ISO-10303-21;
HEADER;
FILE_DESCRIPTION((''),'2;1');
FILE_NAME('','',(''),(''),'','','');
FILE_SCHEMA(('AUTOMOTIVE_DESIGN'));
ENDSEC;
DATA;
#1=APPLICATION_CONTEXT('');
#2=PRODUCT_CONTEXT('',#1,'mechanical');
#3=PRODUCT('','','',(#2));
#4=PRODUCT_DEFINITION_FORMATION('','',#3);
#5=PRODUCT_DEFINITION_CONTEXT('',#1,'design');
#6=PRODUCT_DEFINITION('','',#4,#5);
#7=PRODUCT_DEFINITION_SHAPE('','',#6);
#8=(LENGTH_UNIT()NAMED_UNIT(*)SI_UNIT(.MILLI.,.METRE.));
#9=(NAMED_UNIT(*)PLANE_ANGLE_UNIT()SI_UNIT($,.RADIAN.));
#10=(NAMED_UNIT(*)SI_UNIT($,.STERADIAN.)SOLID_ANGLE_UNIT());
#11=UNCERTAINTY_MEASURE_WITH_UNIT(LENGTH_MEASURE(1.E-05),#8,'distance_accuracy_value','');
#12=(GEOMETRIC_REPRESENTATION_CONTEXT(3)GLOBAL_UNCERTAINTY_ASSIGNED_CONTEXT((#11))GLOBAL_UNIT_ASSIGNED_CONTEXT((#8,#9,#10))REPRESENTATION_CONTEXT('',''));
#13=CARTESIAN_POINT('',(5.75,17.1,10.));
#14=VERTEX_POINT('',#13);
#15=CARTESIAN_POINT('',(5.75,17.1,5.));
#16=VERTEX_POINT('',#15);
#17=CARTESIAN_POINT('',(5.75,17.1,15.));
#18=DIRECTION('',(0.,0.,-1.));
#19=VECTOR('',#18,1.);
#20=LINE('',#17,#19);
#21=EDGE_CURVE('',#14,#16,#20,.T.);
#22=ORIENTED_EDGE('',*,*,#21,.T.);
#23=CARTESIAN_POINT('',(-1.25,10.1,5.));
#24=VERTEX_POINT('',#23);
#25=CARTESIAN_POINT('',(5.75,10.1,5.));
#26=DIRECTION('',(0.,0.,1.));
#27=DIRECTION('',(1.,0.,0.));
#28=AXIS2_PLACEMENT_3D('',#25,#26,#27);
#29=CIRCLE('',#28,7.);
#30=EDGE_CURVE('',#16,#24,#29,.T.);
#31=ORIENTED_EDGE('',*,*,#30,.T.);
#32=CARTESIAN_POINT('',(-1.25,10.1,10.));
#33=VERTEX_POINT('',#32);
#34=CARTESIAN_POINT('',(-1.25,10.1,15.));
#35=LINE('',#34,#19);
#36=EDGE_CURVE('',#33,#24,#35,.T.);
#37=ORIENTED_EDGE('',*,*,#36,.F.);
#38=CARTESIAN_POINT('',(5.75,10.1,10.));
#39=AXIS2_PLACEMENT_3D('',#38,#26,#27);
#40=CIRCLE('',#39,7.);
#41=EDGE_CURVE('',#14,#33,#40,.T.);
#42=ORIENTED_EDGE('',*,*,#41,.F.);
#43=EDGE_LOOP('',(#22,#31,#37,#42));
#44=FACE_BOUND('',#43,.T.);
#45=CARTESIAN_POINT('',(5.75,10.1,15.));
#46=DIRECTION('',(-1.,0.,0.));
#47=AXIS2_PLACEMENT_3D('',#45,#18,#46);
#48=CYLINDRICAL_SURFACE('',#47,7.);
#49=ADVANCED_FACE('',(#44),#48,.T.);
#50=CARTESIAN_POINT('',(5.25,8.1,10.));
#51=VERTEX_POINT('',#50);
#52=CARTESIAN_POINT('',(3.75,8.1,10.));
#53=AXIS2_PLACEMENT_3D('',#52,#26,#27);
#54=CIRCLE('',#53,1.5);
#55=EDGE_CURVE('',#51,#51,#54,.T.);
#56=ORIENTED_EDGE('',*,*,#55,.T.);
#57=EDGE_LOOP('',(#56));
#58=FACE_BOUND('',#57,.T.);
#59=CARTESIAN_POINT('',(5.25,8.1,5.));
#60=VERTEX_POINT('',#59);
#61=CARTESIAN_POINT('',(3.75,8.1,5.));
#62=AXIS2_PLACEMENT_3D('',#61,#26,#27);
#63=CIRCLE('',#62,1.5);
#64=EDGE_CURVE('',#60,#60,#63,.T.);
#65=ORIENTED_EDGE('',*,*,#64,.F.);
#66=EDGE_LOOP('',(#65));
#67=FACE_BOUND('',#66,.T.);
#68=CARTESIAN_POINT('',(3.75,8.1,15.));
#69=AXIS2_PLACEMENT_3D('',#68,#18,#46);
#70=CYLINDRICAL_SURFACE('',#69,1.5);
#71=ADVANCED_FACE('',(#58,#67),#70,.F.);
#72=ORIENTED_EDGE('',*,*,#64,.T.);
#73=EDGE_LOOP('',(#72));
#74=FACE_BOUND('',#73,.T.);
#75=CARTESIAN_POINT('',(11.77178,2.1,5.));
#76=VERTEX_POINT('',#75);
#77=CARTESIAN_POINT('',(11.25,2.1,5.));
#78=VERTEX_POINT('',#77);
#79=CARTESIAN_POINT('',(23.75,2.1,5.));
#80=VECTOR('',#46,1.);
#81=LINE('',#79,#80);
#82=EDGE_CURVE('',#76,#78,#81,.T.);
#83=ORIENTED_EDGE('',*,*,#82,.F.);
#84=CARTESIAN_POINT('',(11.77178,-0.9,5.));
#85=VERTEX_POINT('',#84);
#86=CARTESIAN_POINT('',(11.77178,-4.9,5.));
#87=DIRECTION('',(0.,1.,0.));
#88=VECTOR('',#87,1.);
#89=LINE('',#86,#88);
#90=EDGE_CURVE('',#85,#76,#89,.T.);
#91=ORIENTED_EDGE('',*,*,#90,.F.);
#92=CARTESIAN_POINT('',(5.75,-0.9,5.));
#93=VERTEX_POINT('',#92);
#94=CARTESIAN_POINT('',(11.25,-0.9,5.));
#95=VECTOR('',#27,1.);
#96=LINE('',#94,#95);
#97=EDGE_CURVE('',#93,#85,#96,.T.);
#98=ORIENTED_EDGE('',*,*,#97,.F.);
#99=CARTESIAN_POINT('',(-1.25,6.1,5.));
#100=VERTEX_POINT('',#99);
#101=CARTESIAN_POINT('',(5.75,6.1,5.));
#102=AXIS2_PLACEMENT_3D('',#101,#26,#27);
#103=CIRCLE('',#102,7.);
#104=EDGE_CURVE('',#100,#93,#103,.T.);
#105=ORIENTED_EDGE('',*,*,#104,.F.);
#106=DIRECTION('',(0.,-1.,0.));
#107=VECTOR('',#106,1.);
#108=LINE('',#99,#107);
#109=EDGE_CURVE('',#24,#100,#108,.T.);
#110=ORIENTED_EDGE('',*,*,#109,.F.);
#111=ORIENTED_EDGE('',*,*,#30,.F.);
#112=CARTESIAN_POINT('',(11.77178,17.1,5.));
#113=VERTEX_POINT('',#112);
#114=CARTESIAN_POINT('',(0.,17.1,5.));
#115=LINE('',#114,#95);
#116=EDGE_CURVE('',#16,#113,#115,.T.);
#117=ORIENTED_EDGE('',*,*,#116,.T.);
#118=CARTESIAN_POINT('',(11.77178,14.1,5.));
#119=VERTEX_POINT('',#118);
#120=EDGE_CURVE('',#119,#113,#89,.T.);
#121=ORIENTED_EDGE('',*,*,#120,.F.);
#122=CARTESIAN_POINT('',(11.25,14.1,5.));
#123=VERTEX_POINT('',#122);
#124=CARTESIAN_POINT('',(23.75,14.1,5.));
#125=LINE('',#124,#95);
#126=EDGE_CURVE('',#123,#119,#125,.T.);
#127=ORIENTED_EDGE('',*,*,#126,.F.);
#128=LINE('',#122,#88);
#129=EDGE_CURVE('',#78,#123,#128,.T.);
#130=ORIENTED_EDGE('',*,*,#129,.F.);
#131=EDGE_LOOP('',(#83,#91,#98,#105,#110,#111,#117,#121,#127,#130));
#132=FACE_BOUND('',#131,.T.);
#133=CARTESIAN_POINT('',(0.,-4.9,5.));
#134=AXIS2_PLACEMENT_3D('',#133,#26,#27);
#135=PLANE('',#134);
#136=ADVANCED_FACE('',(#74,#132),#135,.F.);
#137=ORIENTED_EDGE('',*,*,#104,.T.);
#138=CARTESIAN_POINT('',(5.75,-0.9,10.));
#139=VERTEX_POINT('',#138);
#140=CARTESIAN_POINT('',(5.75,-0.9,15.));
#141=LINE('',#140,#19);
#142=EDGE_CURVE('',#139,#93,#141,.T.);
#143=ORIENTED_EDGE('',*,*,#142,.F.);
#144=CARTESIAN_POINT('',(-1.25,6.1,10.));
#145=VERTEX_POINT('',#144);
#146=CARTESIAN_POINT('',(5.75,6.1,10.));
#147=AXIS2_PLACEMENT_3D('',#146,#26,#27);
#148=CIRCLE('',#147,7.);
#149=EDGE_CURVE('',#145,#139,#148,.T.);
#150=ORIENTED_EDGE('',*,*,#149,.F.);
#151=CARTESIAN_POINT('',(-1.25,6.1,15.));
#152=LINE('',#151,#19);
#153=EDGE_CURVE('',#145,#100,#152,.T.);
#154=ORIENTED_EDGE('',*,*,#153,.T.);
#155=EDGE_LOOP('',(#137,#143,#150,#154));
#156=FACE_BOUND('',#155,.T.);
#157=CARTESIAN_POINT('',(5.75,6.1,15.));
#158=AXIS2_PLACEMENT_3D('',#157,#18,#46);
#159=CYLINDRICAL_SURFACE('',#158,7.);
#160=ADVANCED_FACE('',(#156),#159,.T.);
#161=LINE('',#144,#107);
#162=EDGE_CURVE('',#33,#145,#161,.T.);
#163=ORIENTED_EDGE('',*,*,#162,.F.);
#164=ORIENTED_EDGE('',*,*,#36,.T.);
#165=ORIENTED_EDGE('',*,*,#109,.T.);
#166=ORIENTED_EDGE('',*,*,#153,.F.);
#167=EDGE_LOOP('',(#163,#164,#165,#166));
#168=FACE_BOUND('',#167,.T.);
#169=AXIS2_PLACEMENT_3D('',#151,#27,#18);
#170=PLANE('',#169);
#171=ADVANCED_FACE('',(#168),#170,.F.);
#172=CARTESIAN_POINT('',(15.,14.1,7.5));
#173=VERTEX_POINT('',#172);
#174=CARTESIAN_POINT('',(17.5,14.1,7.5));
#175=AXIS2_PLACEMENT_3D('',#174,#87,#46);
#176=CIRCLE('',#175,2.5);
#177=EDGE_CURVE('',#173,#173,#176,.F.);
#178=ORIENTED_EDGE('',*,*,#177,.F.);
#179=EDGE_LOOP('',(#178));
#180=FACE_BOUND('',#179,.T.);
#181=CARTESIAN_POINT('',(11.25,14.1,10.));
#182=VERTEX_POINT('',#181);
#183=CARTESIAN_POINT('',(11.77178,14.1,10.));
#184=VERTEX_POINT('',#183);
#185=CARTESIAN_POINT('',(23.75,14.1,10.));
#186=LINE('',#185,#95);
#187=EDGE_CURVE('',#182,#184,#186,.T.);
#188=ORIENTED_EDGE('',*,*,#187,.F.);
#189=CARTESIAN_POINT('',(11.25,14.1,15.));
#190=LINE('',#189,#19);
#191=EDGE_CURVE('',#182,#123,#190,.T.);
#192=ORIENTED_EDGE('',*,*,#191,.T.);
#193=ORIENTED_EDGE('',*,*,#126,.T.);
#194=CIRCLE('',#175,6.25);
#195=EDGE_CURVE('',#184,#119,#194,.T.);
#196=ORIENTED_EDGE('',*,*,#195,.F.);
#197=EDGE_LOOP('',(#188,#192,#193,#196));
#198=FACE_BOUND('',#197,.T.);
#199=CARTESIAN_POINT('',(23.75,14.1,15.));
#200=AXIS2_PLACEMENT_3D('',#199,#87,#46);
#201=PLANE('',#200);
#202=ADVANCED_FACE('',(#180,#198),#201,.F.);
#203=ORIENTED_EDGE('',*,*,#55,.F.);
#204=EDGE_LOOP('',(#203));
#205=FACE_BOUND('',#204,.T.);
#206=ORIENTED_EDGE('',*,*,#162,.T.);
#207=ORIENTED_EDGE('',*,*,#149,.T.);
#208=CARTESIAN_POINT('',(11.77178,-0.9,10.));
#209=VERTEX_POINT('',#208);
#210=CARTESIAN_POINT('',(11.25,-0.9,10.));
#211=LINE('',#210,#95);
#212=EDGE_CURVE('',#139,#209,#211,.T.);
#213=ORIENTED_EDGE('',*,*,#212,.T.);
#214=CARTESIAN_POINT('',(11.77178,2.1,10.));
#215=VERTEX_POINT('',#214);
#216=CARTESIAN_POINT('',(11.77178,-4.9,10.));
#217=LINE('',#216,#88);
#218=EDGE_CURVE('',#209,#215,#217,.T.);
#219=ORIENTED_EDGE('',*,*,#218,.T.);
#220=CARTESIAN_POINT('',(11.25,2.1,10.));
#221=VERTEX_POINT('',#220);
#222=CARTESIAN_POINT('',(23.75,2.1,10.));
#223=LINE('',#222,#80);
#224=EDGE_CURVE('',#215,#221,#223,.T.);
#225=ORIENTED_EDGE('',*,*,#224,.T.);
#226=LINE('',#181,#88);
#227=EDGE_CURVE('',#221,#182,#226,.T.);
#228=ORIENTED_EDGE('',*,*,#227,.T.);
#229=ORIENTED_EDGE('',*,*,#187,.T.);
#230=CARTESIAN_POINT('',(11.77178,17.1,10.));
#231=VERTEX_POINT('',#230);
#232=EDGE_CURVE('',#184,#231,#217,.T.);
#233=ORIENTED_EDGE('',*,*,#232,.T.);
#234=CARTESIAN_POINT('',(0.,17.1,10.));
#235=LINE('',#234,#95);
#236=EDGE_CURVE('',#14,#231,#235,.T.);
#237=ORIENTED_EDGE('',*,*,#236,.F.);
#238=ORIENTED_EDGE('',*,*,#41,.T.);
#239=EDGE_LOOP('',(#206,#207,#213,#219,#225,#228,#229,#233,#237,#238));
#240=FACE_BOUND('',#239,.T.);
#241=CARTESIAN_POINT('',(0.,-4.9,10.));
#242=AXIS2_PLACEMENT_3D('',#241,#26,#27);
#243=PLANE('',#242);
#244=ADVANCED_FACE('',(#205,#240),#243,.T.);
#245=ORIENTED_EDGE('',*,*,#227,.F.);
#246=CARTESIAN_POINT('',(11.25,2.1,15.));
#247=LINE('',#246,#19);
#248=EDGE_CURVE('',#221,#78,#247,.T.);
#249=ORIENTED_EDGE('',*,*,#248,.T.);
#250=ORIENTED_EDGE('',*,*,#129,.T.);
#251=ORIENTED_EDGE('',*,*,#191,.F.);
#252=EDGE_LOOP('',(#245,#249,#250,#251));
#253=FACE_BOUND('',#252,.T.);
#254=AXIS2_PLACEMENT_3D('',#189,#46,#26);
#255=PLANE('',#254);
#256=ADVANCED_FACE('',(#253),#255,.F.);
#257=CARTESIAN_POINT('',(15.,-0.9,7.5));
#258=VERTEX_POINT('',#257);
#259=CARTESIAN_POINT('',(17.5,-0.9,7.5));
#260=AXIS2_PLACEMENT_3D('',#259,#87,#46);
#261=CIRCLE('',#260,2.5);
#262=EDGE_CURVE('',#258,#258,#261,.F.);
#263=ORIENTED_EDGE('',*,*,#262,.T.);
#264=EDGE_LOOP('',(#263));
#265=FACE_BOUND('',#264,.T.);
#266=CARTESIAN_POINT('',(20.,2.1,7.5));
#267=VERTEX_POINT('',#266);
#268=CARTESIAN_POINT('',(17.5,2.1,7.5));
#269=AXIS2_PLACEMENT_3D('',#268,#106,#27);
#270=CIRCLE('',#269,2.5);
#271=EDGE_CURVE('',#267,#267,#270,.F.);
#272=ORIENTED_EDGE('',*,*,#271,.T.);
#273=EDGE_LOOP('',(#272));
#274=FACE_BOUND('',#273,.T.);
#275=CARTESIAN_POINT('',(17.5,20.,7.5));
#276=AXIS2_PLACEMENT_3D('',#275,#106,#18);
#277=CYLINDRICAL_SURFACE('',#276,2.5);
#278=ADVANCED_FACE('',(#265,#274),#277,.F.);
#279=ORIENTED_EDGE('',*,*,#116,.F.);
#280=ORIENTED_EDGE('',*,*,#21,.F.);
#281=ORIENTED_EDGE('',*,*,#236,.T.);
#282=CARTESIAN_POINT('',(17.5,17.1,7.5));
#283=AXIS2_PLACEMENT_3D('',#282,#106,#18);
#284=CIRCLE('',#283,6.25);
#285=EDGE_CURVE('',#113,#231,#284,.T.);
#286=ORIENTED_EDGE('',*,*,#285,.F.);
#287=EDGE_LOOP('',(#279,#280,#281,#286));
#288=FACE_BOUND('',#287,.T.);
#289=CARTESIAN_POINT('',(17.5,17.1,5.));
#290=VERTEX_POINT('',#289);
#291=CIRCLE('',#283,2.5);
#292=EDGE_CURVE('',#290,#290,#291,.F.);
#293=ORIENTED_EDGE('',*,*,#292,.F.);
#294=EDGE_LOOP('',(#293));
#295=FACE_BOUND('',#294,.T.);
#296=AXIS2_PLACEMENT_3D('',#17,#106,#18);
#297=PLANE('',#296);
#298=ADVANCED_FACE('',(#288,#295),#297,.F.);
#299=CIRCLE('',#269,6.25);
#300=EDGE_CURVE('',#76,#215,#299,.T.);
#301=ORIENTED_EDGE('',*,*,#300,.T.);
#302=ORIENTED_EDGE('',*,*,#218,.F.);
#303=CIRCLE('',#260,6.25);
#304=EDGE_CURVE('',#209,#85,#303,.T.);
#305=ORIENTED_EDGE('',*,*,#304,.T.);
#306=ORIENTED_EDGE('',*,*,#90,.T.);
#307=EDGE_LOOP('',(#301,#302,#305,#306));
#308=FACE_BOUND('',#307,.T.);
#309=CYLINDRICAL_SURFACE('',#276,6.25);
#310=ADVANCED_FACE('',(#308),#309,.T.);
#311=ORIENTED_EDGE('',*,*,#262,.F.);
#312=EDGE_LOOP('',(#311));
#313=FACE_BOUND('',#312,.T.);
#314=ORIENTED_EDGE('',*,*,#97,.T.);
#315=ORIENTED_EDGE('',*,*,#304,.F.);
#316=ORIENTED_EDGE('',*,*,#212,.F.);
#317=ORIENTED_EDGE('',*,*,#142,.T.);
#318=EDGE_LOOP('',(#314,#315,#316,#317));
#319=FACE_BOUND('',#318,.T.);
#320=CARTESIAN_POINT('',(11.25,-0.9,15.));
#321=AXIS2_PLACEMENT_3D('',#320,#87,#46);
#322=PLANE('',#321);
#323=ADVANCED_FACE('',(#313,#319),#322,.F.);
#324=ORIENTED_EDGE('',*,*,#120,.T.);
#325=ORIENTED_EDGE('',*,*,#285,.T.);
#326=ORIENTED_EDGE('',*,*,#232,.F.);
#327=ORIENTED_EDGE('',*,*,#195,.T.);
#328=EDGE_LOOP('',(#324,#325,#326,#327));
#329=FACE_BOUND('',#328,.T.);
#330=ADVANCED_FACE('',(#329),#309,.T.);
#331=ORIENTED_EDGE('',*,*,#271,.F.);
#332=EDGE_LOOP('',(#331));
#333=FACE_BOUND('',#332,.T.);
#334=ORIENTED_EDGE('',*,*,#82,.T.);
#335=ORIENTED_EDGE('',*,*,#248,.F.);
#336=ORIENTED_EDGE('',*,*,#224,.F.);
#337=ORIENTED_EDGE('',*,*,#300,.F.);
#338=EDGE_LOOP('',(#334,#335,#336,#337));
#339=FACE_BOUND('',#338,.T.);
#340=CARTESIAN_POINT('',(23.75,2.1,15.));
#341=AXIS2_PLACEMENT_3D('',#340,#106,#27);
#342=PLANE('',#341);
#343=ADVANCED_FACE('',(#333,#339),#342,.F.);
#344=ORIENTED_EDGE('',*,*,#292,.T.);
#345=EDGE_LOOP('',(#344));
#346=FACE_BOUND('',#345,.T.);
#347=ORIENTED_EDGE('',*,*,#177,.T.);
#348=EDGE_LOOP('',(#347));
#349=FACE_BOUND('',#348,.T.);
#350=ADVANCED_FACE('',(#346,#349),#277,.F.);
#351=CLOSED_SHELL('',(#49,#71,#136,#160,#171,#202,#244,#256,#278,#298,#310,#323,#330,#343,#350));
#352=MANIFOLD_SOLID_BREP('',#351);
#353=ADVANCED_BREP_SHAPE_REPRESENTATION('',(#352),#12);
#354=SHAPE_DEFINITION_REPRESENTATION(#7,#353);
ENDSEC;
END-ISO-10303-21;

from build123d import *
from build123d.topology import SkipClean

# Parameters (mm, degrees)
CROQUIS1_R              = 1.5
SALIENTE_EXTRUIR1_DEPTH = 15
CROQUIS2_R              = 2.5
CORTAR_EXTRUIR1_DEPTH   = 20
CORTAR_EXTRUIR2_DEPTH   = 22


with BuildPart() as part:
    # Croquis1 → Saliente-Extruir1 (new body)
    with BuildSketch(Plane.XY):
        with BuildLine():
            Line((11.25, 14.1), (11.25, 11.1))
            Line((11.25, 11.1), (11.25, 5.1))
            Line((11.25, 5.1), (11.25, 2.1))
            Line((11.25, 2.1), (23.75, 2.1))
            Line((23.75, 2.1), (23.75, -0.9))
            Line((23.75, -0.9), (11.25, -0.9))
            Line((11.25, -0.9), (5.75, -0.9))
            ThreePointArc((5.75, -0.9), (0.800252532, 1.150252532), (-1.25, 6.1))
            Line((-1.25, 6.1), (-1.25, 10.1))
            ThreePointArc((-1.25, 10.1), (0.800252532, 15.049747468), (5.75, 17.1))
            Line((5.75, 17.1), (11.25, 17.1))
            Line((11.25, 17.1), (23.75, 17.1))
            Line((23.75, 17.1), (23.75, 14.1))
            Line((23.75, 14.1), (11.25, 14.1))
        make_face()
        with Locations((3.75, 8.1)):
            Circle(CROQUIS1_R, mode=Mode.SUBTRACT)
    extrude(amount=SALIENTE_EXTRUIR1_DEPTH)

    # Croquis2 → Cortar-Extruir1 (cut, symmetric)
    with BuildSketch(Plane(origin=(0, 0, 0), x_dir=(1, 0, 0), z_dir=(0, 1, 0))):
        with Locations(Location((17.5, -7.5, 0), (0, 0, 90))):
            Circle(CROQUIS2_R)
        with BuildLine():
            Line((17.5, -1.25), (11.25, 0))
            Line((11.25, 0), (11.126279301, 1.868603497))
            Line((11.126279301, 1.868603497), (29.663453957, 1.868603497))
            Line((29.663453957, 1.868603497), (29.663453957, -17.961269996))
            Line((29.663453957, -17.961269996), (11.25, -17.961269996))
            Line((11.25, -17.961269996), (11.25, -15))
            Line((11.25, -15), (17.5, -13.75))
            ThreePointArc((17.5, -13.75), (23.75, -7.5), (17.5, -1.25))
        make_face()
    extrude(amount=CORTAR_EXTRUIR1_DEPTH, both=True, mode=Mode.SUBTRACT)

    # Croquis3 → Cortar-Extruir2 (cut)
    with SkipClean():  # the faces are left unmerged after this step: merging them gives an invalid solid
        with BuildSketch(Plane(origin=(0, 17.1, 0), x_dir=(1, 0, 0), z_dir=(0, 1, 0))):
            Polygon((5.75, -10), (-2.050741432, -10), (-2.325121179, -18.2596058), (20.840368904, -18.2596058), (17.5, -13.75), (11.25, -15), (5.75, -15), align=None)
            with BuildLine():
                Line((11.771780381, -10), (5.75, -10))
                Line((5.75, -10), (5.75, -15))
                Line((5.75, -15), (11.25, -15))
                Line((11.25, -15), (17.5, -13.75))
                ThreePointArc((17.5, -13.75), (14.076734016, -12.729125166), (11.771780381, -10))
            make_face()
            with BuildLine():
                Line((5.75, 0), (5.75, -5))
                Line((5.75, -5), (11.771780381, -5))
                ThreePointArc((11.771780381, -5), (14.076734016, -2.270874834), (17.5, -1.25))
                Line((17.5, -1.25), (11.25, 0))
                Line((11.25, 0), (5.75, 0))
            make_face()
            Polygon((-2.050741432, -5), (5.75, -5), (5.75, 0), (11.25, 0), (17.5, -1.25), (17.5, 1.613327317), (-2.050741432, 1.613327317), align=None)
        extrude(amount=-CORTAR_EXTRUIR2_DEPTH, mode=Mode.SUBTRACT)


solid = part.part
